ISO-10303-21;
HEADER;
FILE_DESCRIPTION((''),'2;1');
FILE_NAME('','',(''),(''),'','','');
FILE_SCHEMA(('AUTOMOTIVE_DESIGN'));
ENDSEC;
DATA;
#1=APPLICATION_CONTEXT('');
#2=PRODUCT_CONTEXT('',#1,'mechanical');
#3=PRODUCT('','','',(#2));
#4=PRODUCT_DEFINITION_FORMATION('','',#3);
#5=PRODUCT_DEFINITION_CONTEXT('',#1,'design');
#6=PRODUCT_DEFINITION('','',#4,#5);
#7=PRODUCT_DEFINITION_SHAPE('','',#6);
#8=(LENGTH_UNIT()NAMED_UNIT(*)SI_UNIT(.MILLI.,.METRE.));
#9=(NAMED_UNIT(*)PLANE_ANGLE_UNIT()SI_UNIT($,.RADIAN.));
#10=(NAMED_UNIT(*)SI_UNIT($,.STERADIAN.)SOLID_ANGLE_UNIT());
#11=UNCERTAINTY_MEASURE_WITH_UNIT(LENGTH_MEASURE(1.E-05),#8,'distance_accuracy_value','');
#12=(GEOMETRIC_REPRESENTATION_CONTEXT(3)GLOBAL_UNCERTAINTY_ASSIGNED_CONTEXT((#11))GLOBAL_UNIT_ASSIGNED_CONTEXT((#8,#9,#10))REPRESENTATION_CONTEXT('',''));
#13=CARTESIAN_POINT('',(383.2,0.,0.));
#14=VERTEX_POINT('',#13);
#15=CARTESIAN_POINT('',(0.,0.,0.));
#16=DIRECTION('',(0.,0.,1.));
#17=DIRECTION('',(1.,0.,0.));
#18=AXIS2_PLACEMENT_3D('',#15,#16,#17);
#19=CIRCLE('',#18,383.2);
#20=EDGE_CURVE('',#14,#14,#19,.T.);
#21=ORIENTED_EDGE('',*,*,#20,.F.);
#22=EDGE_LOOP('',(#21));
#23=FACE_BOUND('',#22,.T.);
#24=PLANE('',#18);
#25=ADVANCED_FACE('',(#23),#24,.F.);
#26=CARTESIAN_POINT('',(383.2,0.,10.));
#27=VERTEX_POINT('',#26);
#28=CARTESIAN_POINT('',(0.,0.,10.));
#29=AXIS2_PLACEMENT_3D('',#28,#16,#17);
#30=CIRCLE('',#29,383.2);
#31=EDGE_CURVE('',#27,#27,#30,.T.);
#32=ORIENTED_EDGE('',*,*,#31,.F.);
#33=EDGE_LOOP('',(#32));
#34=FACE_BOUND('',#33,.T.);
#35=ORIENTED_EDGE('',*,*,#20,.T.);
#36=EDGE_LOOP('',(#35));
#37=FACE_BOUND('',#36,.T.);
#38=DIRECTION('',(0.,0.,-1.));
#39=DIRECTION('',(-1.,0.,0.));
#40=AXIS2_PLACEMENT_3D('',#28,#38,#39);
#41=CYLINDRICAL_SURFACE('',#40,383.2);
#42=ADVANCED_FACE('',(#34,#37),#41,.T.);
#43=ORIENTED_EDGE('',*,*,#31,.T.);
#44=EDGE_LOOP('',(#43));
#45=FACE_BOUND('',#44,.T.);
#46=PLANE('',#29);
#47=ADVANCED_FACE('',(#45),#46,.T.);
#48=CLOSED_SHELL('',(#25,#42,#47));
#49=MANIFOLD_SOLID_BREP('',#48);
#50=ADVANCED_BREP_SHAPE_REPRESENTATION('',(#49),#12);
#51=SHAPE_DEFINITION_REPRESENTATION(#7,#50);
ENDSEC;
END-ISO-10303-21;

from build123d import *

# Parameters (mm, degrees)
ESQUISSE1_R        = 383.2
BOSS_EXTRU_1_DEPTH = 10


with BuildPart() as part:
    # Esquisse1 → Boss.-Extru.1 (new body)
    with BuildSketch(Plane.XY):
        Circle(ESQUISSE1_R)
    extrude(amount=BOSS_EXTRU_1_DEPTH)


solid = part.part
